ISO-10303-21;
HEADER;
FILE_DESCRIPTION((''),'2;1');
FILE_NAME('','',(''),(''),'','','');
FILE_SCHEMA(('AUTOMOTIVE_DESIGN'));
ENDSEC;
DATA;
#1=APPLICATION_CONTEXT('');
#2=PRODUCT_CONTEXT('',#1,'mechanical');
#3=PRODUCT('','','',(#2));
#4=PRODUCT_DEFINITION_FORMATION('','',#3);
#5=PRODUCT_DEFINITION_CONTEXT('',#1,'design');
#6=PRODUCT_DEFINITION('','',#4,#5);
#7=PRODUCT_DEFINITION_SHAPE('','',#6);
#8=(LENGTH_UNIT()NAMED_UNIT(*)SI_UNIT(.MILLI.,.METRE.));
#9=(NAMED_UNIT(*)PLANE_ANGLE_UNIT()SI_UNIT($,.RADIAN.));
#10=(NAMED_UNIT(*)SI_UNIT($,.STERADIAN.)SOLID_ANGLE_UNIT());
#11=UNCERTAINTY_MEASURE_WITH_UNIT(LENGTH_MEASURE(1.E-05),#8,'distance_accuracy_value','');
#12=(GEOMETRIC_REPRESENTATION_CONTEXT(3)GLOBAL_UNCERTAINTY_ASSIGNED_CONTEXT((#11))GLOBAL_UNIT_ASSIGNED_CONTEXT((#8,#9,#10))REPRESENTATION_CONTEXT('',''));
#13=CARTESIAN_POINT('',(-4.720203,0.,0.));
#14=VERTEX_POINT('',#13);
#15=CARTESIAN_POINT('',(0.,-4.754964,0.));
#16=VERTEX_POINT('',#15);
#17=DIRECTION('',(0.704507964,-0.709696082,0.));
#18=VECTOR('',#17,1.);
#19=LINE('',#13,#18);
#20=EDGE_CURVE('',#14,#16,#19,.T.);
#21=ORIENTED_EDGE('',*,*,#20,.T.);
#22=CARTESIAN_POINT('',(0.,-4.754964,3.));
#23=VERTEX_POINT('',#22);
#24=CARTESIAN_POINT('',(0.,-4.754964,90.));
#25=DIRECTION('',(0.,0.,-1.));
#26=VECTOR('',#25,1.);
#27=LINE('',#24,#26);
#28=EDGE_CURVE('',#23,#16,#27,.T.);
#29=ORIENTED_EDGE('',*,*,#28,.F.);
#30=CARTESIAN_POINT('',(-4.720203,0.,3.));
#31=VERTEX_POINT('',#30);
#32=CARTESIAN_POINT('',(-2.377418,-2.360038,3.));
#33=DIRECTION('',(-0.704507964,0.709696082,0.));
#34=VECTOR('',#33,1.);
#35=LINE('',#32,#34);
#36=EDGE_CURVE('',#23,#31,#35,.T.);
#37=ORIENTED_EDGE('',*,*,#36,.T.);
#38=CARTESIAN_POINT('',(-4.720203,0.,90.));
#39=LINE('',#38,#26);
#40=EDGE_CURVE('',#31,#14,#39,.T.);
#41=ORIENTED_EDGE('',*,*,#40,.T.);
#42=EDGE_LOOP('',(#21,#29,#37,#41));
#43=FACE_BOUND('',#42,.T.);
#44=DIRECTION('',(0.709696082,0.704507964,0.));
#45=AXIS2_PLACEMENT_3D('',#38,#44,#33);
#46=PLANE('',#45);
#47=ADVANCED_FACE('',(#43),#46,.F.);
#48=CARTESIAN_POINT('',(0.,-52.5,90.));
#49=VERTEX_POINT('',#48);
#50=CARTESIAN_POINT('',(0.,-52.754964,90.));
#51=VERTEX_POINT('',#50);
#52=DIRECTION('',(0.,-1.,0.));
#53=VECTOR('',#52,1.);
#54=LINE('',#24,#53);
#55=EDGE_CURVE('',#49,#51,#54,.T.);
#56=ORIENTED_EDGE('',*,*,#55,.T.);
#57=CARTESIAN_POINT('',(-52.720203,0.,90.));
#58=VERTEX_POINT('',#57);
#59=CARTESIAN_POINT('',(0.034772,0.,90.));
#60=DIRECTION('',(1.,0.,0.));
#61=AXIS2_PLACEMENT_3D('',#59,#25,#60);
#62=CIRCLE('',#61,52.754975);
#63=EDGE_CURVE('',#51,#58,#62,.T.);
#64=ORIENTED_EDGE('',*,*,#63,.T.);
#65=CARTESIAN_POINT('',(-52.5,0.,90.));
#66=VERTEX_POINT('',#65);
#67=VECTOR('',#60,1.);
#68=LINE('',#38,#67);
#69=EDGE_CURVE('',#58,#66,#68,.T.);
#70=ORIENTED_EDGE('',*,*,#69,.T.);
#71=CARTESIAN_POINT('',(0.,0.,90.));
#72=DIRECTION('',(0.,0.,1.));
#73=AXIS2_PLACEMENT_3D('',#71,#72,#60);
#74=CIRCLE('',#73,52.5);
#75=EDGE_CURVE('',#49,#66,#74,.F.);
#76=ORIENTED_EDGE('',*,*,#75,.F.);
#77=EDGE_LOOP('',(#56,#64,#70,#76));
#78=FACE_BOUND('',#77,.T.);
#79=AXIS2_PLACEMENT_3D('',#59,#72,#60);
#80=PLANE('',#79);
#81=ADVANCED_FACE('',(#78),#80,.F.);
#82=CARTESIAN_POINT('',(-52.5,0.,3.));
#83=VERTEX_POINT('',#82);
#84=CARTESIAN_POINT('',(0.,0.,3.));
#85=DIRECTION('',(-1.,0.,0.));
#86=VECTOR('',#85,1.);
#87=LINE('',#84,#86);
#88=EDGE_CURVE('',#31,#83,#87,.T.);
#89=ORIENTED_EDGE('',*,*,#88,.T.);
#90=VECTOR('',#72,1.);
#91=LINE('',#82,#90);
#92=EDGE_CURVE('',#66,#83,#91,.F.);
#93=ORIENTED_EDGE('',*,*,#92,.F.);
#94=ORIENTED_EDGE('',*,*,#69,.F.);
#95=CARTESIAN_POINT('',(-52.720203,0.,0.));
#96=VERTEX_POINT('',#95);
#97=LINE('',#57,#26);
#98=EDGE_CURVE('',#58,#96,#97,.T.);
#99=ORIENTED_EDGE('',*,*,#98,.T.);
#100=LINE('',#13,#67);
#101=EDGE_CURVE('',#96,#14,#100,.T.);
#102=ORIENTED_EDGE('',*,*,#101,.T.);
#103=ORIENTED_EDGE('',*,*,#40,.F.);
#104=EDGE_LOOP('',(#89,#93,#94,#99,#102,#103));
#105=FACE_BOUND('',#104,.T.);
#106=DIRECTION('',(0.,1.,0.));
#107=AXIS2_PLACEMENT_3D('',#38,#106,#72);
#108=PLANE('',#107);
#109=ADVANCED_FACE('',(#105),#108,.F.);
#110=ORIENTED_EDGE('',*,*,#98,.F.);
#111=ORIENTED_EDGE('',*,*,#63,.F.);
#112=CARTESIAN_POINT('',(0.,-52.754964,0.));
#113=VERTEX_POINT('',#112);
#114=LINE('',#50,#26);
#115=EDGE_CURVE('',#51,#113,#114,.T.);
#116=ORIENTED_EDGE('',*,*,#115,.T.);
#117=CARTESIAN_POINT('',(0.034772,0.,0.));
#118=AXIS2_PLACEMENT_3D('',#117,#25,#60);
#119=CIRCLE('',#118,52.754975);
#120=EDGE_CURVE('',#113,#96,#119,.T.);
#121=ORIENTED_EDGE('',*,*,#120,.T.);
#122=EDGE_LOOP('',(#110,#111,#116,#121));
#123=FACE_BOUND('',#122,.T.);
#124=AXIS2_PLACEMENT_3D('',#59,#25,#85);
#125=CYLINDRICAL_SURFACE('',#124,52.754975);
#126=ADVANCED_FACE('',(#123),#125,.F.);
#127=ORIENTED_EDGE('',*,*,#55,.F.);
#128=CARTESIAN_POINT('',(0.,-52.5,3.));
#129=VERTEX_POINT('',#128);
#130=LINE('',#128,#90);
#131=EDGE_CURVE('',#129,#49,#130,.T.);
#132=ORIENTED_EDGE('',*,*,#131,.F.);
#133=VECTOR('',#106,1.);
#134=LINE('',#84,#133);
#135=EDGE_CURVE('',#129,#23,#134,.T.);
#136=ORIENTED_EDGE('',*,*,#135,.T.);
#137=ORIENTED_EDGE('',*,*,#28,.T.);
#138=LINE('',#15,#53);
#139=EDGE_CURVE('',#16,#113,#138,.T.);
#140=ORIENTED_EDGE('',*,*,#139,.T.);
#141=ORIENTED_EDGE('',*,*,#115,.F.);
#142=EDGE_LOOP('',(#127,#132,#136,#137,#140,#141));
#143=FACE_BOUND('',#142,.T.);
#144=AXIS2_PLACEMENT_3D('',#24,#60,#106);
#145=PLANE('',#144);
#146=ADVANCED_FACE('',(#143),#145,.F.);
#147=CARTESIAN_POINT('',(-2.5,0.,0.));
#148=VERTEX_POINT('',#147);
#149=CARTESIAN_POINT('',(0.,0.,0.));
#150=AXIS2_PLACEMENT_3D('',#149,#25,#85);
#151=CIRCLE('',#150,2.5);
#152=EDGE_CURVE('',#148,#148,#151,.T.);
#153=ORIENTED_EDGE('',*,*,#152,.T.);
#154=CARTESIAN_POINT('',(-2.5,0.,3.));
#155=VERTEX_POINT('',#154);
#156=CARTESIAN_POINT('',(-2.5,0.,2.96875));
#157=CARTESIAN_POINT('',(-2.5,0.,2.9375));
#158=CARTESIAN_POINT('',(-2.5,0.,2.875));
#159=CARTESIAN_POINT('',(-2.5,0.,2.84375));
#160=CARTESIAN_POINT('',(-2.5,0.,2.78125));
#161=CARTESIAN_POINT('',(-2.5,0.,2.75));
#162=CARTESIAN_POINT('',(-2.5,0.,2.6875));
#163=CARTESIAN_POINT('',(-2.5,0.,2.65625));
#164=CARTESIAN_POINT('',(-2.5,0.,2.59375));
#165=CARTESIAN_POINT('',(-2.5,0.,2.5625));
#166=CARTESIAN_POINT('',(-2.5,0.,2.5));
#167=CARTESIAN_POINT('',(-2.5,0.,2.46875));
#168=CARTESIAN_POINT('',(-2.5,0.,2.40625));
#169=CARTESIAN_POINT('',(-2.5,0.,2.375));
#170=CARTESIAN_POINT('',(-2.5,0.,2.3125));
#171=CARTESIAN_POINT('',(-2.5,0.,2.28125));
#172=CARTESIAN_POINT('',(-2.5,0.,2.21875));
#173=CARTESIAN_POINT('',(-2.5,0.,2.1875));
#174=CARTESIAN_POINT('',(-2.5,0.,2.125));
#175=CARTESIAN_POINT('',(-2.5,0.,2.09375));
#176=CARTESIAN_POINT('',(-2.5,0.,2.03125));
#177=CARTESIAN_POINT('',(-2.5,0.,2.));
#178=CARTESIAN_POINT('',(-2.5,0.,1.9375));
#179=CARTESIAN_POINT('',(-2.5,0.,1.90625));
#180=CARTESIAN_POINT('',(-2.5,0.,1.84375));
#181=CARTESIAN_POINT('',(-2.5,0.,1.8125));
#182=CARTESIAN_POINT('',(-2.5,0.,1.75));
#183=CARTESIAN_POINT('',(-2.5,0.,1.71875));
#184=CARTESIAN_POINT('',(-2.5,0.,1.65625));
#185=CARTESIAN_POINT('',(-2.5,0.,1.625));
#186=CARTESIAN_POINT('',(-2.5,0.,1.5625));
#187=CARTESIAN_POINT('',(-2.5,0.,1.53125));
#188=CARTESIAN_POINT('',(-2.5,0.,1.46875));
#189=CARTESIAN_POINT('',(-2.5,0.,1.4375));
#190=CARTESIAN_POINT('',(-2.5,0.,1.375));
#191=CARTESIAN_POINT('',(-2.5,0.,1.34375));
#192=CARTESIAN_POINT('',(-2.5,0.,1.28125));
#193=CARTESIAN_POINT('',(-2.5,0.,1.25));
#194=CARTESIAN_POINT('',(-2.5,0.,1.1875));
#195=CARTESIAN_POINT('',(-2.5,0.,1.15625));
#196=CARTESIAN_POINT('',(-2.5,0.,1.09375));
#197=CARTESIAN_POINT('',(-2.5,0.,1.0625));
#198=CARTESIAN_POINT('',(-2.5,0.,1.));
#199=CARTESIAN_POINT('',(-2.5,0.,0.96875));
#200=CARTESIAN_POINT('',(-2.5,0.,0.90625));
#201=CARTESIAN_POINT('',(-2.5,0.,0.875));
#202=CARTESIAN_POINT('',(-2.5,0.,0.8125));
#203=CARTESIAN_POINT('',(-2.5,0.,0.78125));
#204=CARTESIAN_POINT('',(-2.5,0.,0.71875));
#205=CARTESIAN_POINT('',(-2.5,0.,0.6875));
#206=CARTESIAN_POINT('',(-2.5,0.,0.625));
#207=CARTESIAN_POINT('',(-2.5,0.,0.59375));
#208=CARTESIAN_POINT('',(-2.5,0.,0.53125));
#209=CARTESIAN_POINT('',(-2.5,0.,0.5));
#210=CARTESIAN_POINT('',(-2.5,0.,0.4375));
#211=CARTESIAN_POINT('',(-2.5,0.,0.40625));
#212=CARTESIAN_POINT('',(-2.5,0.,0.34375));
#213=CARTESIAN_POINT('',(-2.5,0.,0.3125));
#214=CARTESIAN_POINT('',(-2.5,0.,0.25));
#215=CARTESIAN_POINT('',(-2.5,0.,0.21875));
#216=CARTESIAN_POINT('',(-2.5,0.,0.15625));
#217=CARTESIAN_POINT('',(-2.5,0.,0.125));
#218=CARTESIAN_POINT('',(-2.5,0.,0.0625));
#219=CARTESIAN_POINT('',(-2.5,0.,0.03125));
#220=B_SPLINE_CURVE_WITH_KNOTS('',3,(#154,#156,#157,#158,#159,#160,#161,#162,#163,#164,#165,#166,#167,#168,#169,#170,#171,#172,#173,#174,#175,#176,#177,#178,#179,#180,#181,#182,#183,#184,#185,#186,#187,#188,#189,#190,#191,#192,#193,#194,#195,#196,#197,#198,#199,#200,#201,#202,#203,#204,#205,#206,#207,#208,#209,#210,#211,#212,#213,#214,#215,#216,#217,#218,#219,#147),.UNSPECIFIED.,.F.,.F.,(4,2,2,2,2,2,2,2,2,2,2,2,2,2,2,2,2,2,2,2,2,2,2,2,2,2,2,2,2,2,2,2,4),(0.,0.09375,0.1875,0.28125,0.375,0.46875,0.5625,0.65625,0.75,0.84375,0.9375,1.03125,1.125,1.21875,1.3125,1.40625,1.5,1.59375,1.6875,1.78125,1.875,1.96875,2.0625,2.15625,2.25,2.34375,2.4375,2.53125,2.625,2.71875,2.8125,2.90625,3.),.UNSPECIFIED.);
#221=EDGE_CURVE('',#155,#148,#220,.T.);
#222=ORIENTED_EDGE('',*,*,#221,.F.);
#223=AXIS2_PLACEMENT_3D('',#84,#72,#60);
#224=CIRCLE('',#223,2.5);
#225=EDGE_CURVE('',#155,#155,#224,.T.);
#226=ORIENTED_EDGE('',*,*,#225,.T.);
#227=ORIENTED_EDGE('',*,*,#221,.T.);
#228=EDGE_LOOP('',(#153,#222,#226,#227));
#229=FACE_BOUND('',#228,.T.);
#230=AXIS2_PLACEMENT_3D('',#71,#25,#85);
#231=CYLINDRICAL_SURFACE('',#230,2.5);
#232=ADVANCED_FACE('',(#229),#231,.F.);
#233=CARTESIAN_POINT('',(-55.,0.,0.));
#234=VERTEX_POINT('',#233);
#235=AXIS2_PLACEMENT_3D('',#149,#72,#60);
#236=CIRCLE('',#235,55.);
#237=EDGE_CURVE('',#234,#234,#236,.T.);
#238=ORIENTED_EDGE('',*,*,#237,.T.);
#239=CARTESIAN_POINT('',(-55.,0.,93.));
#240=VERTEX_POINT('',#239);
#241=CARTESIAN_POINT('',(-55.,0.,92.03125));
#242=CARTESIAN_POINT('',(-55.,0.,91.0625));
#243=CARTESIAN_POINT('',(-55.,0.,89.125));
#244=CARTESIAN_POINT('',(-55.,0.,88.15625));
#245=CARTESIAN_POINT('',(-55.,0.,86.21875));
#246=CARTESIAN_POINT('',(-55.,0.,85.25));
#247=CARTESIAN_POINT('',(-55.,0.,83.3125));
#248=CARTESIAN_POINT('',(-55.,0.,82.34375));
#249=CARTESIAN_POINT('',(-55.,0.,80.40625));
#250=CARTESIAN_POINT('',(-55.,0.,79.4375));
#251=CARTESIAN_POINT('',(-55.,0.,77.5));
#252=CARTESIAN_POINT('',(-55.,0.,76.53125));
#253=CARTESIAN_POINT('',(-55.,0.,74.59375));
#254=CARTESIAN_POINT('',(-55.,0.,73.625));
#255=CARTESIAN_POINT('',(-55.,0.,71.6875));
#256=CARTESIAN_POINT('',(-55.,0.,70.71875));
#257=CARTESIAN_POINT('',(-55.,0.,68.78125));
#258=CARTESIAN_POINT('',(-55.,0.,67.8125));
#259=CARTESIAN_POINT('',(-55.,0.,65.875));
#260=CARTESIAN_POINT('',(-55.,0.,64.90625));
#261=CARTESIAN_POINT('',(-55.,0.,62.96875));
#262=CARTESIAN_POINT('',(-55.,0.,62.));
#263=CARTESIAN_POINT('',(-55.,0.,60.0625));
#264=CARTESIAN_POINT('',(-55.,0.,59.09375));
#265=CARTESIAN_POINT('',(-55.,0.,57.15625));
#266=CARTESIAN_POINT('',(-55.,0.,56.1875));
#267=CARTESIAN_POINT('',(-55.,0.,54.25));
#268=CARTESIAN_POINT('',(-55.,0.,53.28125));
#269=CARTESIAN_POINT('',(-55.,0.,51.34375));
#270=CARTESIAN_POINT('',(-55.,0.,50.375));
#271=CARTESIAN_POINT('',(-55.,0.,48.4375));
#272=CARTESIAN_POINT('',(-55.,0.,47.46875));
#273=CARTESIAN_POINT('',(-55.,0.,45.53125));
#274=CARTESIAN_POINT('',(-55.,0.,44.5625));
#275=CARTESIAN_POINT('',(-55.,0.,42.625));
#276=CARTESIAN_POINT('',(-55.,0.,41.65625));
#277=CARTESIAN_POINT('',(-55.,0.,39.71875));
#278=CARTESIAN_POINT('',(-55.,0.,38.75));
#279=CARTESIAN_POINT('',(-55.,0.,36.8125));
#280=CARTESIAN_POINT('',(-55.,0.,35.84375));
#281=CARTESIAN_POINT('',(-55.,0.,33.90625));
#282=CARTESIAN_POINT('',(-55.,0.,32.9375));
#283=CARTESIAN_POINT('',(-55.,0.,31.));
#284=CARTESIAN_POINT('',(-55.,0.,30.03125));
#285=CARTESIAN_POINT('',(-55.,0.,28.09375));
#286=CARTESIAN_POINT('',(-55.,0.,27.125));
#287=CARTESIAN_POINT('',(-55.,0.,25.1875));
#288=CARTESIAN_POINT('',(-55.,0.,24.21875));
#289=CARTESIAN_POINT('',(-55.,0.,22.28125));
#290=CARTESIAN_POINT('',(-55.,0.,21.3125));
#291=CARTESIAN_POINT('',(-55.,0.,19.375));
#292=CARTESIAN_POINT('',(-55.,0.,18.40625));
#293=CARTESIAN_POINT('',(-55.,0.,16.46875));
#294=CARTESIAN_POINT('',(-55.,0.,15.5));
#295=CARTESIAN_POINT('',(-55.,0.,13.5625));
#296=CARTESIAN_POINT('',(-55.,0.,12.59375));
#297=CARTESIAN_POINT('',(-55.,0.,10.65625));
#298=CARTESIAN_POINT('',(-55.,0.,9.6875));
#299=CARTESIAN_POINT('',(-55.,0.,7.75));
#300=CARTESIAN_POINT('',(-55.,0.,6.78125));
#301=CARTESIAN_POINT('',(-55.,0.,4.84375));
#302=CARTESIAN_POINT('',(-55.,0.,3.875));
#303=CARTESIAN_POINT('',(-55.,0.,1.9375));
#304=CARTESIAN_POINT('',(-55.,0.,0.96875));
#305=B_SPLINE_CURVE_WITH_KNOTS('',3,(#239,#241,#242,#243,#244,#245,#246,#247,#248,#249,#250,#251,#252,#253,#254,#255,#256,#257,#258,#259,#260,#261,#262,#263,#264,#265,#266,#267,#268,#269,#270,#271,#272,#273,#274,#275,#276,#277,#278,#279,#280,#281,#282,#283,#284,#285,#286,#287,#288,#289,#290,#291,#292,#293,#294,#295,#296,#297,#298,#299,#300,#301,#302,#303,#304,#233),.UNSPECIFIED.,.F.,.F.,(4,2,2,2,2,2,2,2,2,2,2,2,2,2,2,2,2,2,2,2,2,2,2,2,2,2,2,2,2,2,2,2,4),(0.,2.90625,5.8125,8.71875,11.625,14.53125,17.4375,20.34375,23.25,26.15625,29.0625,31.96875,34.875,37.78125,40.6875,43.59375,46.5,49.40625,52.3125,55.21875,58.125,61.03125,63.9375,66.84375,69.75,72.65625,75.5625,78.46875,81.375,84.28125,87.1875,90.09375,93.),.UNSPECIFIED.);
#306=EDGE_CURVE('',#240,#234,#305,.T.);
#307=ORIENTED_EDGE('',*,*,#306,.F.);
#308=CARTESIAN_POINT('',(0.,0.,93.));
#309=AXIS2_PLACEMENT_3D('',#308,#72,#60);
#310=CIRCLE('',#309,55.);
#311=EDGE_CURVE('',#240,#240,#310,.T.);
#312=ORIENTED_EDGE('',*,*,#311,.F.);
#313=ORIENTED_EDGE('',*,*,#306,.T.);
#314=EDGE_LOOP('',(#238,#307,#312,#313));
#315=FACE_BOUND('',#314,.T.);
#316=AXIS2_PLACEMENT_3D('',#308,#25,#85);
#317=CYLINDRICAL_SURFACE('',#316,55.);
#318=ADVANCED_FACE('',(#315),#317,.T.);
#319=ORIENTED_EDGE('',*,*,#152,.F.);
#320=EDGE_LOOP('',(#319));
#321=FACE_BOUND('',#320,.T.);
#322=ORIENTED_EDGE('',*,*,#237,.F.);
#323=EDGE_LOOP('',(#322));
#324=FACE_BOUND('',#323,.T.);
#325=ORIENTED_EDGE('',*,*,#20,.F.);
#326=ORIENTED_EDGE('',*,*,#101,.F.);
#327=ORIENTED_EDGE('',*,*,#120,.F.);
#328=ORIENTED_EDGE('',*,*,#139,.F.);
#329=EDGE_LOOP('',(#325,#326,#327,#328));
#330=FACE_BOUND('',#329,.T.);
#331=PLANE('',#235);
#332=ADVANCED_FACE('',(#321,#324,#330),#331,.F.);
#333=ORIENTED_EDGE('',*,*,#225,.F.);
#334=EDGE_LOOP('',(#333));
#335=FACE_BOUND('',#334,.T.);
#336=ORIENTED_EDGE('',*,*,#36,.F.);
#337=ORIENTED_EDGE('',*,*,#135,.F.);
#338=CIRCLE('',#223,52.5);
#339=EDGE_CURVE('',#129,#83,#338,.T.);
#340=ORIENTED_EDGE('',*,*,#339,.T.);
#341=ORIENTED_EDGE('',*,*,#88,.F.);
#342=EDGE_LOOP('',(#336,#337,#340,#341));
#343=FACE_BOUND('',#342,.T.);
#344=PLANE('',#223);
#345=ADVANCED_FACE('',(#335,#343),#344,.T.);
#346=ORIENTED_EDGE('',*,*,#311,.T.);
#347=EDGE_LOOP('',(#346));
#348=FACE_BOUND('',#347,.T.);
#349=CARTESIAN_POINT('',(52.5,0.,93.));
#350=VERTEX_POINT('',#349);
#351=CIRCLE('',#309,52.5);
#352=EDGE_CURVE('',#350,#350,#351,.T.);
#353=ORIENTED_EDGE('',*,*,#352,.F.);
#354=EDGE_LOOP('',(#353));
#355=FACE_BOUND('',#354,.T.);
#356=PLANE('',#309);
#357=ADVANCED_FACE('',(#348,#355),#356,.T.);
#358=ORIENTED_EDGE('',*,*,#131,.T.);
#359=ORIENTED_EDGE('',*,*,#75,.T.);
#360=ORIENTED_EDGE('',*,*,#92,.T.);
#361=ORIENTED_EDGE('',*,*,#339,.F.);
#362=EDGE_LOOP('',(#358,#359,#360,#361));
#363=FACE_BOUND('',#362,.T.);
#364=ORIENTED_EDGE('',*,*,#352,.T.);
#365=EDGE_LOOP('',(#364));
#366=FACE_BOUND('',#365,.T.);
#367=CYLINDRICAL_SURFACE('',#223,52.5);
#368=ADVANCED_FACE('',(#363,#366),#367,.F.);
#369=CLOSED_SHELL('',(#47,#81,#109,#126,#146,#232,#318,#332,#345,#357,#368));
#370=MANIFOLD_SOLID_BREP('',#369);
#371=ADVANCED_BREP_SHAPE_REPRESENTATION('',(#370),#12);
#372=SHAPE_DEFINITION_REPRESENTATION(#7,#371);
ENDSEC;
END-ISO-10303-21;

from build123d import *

# Parameters (mm, degrees)
SKICA1_R                 = 55
P_IDAT_VYSUNUT_M1_DEPTH  = 93
SKICA3_R                 = 52.5
ODEBRAT_VYSUNUT_M1_DEPTH = 90
SKICA5_R                 = 2.5
ODEBRAT_VYSUNUT_M5_DEPTH = 90


with BuildPart() as part:
    # Skica1 → Přidat vysunutím1 (new body)
    with BuildSketch(Plane.XY):
        with Locations(Location((0, 0, 0), (0, 0, 180))):
            Circle(SKICA1_R)
    extrude(amount=P_IDAT_VYSUNUT_M1_DEPTH)

    # Skica3 → Odebrat vysunutím1 (cut)
    with BuildSketch(Plane.XY.offset(93)):
        Circle(SKICA3_R)
    extrude(amount=-ODEBRAT_VYSUNUT_M1_DEPTH, mode=Mode.SUBTRACT)

    # Skica5 → Odebrat vysunutím5 (cut)
    with BuildSketch(Plane(origin=(0, 0, 0), x_dir=(-1, 0, 0), z_dir=(0, 0, -1))):
        Circle(SKICA5_R)
        with BuildLine():
            Line((0, -4.754963748), (0, -52.754963748))
            ThreePointArc((0, -52.754963748), (37.280920542, -37.291104979), (52.72020336, 0))
            Line((52.72020336, 0), (4.72020336, 0))
            Line((4.72020336, 0), (0, -4.754963748))
        make_face()
    extrude(amount=-ODEBRAT_VYSUNUT_M5_DEPTH, mode=Mode.SUBTRACT)


solid = part.part
